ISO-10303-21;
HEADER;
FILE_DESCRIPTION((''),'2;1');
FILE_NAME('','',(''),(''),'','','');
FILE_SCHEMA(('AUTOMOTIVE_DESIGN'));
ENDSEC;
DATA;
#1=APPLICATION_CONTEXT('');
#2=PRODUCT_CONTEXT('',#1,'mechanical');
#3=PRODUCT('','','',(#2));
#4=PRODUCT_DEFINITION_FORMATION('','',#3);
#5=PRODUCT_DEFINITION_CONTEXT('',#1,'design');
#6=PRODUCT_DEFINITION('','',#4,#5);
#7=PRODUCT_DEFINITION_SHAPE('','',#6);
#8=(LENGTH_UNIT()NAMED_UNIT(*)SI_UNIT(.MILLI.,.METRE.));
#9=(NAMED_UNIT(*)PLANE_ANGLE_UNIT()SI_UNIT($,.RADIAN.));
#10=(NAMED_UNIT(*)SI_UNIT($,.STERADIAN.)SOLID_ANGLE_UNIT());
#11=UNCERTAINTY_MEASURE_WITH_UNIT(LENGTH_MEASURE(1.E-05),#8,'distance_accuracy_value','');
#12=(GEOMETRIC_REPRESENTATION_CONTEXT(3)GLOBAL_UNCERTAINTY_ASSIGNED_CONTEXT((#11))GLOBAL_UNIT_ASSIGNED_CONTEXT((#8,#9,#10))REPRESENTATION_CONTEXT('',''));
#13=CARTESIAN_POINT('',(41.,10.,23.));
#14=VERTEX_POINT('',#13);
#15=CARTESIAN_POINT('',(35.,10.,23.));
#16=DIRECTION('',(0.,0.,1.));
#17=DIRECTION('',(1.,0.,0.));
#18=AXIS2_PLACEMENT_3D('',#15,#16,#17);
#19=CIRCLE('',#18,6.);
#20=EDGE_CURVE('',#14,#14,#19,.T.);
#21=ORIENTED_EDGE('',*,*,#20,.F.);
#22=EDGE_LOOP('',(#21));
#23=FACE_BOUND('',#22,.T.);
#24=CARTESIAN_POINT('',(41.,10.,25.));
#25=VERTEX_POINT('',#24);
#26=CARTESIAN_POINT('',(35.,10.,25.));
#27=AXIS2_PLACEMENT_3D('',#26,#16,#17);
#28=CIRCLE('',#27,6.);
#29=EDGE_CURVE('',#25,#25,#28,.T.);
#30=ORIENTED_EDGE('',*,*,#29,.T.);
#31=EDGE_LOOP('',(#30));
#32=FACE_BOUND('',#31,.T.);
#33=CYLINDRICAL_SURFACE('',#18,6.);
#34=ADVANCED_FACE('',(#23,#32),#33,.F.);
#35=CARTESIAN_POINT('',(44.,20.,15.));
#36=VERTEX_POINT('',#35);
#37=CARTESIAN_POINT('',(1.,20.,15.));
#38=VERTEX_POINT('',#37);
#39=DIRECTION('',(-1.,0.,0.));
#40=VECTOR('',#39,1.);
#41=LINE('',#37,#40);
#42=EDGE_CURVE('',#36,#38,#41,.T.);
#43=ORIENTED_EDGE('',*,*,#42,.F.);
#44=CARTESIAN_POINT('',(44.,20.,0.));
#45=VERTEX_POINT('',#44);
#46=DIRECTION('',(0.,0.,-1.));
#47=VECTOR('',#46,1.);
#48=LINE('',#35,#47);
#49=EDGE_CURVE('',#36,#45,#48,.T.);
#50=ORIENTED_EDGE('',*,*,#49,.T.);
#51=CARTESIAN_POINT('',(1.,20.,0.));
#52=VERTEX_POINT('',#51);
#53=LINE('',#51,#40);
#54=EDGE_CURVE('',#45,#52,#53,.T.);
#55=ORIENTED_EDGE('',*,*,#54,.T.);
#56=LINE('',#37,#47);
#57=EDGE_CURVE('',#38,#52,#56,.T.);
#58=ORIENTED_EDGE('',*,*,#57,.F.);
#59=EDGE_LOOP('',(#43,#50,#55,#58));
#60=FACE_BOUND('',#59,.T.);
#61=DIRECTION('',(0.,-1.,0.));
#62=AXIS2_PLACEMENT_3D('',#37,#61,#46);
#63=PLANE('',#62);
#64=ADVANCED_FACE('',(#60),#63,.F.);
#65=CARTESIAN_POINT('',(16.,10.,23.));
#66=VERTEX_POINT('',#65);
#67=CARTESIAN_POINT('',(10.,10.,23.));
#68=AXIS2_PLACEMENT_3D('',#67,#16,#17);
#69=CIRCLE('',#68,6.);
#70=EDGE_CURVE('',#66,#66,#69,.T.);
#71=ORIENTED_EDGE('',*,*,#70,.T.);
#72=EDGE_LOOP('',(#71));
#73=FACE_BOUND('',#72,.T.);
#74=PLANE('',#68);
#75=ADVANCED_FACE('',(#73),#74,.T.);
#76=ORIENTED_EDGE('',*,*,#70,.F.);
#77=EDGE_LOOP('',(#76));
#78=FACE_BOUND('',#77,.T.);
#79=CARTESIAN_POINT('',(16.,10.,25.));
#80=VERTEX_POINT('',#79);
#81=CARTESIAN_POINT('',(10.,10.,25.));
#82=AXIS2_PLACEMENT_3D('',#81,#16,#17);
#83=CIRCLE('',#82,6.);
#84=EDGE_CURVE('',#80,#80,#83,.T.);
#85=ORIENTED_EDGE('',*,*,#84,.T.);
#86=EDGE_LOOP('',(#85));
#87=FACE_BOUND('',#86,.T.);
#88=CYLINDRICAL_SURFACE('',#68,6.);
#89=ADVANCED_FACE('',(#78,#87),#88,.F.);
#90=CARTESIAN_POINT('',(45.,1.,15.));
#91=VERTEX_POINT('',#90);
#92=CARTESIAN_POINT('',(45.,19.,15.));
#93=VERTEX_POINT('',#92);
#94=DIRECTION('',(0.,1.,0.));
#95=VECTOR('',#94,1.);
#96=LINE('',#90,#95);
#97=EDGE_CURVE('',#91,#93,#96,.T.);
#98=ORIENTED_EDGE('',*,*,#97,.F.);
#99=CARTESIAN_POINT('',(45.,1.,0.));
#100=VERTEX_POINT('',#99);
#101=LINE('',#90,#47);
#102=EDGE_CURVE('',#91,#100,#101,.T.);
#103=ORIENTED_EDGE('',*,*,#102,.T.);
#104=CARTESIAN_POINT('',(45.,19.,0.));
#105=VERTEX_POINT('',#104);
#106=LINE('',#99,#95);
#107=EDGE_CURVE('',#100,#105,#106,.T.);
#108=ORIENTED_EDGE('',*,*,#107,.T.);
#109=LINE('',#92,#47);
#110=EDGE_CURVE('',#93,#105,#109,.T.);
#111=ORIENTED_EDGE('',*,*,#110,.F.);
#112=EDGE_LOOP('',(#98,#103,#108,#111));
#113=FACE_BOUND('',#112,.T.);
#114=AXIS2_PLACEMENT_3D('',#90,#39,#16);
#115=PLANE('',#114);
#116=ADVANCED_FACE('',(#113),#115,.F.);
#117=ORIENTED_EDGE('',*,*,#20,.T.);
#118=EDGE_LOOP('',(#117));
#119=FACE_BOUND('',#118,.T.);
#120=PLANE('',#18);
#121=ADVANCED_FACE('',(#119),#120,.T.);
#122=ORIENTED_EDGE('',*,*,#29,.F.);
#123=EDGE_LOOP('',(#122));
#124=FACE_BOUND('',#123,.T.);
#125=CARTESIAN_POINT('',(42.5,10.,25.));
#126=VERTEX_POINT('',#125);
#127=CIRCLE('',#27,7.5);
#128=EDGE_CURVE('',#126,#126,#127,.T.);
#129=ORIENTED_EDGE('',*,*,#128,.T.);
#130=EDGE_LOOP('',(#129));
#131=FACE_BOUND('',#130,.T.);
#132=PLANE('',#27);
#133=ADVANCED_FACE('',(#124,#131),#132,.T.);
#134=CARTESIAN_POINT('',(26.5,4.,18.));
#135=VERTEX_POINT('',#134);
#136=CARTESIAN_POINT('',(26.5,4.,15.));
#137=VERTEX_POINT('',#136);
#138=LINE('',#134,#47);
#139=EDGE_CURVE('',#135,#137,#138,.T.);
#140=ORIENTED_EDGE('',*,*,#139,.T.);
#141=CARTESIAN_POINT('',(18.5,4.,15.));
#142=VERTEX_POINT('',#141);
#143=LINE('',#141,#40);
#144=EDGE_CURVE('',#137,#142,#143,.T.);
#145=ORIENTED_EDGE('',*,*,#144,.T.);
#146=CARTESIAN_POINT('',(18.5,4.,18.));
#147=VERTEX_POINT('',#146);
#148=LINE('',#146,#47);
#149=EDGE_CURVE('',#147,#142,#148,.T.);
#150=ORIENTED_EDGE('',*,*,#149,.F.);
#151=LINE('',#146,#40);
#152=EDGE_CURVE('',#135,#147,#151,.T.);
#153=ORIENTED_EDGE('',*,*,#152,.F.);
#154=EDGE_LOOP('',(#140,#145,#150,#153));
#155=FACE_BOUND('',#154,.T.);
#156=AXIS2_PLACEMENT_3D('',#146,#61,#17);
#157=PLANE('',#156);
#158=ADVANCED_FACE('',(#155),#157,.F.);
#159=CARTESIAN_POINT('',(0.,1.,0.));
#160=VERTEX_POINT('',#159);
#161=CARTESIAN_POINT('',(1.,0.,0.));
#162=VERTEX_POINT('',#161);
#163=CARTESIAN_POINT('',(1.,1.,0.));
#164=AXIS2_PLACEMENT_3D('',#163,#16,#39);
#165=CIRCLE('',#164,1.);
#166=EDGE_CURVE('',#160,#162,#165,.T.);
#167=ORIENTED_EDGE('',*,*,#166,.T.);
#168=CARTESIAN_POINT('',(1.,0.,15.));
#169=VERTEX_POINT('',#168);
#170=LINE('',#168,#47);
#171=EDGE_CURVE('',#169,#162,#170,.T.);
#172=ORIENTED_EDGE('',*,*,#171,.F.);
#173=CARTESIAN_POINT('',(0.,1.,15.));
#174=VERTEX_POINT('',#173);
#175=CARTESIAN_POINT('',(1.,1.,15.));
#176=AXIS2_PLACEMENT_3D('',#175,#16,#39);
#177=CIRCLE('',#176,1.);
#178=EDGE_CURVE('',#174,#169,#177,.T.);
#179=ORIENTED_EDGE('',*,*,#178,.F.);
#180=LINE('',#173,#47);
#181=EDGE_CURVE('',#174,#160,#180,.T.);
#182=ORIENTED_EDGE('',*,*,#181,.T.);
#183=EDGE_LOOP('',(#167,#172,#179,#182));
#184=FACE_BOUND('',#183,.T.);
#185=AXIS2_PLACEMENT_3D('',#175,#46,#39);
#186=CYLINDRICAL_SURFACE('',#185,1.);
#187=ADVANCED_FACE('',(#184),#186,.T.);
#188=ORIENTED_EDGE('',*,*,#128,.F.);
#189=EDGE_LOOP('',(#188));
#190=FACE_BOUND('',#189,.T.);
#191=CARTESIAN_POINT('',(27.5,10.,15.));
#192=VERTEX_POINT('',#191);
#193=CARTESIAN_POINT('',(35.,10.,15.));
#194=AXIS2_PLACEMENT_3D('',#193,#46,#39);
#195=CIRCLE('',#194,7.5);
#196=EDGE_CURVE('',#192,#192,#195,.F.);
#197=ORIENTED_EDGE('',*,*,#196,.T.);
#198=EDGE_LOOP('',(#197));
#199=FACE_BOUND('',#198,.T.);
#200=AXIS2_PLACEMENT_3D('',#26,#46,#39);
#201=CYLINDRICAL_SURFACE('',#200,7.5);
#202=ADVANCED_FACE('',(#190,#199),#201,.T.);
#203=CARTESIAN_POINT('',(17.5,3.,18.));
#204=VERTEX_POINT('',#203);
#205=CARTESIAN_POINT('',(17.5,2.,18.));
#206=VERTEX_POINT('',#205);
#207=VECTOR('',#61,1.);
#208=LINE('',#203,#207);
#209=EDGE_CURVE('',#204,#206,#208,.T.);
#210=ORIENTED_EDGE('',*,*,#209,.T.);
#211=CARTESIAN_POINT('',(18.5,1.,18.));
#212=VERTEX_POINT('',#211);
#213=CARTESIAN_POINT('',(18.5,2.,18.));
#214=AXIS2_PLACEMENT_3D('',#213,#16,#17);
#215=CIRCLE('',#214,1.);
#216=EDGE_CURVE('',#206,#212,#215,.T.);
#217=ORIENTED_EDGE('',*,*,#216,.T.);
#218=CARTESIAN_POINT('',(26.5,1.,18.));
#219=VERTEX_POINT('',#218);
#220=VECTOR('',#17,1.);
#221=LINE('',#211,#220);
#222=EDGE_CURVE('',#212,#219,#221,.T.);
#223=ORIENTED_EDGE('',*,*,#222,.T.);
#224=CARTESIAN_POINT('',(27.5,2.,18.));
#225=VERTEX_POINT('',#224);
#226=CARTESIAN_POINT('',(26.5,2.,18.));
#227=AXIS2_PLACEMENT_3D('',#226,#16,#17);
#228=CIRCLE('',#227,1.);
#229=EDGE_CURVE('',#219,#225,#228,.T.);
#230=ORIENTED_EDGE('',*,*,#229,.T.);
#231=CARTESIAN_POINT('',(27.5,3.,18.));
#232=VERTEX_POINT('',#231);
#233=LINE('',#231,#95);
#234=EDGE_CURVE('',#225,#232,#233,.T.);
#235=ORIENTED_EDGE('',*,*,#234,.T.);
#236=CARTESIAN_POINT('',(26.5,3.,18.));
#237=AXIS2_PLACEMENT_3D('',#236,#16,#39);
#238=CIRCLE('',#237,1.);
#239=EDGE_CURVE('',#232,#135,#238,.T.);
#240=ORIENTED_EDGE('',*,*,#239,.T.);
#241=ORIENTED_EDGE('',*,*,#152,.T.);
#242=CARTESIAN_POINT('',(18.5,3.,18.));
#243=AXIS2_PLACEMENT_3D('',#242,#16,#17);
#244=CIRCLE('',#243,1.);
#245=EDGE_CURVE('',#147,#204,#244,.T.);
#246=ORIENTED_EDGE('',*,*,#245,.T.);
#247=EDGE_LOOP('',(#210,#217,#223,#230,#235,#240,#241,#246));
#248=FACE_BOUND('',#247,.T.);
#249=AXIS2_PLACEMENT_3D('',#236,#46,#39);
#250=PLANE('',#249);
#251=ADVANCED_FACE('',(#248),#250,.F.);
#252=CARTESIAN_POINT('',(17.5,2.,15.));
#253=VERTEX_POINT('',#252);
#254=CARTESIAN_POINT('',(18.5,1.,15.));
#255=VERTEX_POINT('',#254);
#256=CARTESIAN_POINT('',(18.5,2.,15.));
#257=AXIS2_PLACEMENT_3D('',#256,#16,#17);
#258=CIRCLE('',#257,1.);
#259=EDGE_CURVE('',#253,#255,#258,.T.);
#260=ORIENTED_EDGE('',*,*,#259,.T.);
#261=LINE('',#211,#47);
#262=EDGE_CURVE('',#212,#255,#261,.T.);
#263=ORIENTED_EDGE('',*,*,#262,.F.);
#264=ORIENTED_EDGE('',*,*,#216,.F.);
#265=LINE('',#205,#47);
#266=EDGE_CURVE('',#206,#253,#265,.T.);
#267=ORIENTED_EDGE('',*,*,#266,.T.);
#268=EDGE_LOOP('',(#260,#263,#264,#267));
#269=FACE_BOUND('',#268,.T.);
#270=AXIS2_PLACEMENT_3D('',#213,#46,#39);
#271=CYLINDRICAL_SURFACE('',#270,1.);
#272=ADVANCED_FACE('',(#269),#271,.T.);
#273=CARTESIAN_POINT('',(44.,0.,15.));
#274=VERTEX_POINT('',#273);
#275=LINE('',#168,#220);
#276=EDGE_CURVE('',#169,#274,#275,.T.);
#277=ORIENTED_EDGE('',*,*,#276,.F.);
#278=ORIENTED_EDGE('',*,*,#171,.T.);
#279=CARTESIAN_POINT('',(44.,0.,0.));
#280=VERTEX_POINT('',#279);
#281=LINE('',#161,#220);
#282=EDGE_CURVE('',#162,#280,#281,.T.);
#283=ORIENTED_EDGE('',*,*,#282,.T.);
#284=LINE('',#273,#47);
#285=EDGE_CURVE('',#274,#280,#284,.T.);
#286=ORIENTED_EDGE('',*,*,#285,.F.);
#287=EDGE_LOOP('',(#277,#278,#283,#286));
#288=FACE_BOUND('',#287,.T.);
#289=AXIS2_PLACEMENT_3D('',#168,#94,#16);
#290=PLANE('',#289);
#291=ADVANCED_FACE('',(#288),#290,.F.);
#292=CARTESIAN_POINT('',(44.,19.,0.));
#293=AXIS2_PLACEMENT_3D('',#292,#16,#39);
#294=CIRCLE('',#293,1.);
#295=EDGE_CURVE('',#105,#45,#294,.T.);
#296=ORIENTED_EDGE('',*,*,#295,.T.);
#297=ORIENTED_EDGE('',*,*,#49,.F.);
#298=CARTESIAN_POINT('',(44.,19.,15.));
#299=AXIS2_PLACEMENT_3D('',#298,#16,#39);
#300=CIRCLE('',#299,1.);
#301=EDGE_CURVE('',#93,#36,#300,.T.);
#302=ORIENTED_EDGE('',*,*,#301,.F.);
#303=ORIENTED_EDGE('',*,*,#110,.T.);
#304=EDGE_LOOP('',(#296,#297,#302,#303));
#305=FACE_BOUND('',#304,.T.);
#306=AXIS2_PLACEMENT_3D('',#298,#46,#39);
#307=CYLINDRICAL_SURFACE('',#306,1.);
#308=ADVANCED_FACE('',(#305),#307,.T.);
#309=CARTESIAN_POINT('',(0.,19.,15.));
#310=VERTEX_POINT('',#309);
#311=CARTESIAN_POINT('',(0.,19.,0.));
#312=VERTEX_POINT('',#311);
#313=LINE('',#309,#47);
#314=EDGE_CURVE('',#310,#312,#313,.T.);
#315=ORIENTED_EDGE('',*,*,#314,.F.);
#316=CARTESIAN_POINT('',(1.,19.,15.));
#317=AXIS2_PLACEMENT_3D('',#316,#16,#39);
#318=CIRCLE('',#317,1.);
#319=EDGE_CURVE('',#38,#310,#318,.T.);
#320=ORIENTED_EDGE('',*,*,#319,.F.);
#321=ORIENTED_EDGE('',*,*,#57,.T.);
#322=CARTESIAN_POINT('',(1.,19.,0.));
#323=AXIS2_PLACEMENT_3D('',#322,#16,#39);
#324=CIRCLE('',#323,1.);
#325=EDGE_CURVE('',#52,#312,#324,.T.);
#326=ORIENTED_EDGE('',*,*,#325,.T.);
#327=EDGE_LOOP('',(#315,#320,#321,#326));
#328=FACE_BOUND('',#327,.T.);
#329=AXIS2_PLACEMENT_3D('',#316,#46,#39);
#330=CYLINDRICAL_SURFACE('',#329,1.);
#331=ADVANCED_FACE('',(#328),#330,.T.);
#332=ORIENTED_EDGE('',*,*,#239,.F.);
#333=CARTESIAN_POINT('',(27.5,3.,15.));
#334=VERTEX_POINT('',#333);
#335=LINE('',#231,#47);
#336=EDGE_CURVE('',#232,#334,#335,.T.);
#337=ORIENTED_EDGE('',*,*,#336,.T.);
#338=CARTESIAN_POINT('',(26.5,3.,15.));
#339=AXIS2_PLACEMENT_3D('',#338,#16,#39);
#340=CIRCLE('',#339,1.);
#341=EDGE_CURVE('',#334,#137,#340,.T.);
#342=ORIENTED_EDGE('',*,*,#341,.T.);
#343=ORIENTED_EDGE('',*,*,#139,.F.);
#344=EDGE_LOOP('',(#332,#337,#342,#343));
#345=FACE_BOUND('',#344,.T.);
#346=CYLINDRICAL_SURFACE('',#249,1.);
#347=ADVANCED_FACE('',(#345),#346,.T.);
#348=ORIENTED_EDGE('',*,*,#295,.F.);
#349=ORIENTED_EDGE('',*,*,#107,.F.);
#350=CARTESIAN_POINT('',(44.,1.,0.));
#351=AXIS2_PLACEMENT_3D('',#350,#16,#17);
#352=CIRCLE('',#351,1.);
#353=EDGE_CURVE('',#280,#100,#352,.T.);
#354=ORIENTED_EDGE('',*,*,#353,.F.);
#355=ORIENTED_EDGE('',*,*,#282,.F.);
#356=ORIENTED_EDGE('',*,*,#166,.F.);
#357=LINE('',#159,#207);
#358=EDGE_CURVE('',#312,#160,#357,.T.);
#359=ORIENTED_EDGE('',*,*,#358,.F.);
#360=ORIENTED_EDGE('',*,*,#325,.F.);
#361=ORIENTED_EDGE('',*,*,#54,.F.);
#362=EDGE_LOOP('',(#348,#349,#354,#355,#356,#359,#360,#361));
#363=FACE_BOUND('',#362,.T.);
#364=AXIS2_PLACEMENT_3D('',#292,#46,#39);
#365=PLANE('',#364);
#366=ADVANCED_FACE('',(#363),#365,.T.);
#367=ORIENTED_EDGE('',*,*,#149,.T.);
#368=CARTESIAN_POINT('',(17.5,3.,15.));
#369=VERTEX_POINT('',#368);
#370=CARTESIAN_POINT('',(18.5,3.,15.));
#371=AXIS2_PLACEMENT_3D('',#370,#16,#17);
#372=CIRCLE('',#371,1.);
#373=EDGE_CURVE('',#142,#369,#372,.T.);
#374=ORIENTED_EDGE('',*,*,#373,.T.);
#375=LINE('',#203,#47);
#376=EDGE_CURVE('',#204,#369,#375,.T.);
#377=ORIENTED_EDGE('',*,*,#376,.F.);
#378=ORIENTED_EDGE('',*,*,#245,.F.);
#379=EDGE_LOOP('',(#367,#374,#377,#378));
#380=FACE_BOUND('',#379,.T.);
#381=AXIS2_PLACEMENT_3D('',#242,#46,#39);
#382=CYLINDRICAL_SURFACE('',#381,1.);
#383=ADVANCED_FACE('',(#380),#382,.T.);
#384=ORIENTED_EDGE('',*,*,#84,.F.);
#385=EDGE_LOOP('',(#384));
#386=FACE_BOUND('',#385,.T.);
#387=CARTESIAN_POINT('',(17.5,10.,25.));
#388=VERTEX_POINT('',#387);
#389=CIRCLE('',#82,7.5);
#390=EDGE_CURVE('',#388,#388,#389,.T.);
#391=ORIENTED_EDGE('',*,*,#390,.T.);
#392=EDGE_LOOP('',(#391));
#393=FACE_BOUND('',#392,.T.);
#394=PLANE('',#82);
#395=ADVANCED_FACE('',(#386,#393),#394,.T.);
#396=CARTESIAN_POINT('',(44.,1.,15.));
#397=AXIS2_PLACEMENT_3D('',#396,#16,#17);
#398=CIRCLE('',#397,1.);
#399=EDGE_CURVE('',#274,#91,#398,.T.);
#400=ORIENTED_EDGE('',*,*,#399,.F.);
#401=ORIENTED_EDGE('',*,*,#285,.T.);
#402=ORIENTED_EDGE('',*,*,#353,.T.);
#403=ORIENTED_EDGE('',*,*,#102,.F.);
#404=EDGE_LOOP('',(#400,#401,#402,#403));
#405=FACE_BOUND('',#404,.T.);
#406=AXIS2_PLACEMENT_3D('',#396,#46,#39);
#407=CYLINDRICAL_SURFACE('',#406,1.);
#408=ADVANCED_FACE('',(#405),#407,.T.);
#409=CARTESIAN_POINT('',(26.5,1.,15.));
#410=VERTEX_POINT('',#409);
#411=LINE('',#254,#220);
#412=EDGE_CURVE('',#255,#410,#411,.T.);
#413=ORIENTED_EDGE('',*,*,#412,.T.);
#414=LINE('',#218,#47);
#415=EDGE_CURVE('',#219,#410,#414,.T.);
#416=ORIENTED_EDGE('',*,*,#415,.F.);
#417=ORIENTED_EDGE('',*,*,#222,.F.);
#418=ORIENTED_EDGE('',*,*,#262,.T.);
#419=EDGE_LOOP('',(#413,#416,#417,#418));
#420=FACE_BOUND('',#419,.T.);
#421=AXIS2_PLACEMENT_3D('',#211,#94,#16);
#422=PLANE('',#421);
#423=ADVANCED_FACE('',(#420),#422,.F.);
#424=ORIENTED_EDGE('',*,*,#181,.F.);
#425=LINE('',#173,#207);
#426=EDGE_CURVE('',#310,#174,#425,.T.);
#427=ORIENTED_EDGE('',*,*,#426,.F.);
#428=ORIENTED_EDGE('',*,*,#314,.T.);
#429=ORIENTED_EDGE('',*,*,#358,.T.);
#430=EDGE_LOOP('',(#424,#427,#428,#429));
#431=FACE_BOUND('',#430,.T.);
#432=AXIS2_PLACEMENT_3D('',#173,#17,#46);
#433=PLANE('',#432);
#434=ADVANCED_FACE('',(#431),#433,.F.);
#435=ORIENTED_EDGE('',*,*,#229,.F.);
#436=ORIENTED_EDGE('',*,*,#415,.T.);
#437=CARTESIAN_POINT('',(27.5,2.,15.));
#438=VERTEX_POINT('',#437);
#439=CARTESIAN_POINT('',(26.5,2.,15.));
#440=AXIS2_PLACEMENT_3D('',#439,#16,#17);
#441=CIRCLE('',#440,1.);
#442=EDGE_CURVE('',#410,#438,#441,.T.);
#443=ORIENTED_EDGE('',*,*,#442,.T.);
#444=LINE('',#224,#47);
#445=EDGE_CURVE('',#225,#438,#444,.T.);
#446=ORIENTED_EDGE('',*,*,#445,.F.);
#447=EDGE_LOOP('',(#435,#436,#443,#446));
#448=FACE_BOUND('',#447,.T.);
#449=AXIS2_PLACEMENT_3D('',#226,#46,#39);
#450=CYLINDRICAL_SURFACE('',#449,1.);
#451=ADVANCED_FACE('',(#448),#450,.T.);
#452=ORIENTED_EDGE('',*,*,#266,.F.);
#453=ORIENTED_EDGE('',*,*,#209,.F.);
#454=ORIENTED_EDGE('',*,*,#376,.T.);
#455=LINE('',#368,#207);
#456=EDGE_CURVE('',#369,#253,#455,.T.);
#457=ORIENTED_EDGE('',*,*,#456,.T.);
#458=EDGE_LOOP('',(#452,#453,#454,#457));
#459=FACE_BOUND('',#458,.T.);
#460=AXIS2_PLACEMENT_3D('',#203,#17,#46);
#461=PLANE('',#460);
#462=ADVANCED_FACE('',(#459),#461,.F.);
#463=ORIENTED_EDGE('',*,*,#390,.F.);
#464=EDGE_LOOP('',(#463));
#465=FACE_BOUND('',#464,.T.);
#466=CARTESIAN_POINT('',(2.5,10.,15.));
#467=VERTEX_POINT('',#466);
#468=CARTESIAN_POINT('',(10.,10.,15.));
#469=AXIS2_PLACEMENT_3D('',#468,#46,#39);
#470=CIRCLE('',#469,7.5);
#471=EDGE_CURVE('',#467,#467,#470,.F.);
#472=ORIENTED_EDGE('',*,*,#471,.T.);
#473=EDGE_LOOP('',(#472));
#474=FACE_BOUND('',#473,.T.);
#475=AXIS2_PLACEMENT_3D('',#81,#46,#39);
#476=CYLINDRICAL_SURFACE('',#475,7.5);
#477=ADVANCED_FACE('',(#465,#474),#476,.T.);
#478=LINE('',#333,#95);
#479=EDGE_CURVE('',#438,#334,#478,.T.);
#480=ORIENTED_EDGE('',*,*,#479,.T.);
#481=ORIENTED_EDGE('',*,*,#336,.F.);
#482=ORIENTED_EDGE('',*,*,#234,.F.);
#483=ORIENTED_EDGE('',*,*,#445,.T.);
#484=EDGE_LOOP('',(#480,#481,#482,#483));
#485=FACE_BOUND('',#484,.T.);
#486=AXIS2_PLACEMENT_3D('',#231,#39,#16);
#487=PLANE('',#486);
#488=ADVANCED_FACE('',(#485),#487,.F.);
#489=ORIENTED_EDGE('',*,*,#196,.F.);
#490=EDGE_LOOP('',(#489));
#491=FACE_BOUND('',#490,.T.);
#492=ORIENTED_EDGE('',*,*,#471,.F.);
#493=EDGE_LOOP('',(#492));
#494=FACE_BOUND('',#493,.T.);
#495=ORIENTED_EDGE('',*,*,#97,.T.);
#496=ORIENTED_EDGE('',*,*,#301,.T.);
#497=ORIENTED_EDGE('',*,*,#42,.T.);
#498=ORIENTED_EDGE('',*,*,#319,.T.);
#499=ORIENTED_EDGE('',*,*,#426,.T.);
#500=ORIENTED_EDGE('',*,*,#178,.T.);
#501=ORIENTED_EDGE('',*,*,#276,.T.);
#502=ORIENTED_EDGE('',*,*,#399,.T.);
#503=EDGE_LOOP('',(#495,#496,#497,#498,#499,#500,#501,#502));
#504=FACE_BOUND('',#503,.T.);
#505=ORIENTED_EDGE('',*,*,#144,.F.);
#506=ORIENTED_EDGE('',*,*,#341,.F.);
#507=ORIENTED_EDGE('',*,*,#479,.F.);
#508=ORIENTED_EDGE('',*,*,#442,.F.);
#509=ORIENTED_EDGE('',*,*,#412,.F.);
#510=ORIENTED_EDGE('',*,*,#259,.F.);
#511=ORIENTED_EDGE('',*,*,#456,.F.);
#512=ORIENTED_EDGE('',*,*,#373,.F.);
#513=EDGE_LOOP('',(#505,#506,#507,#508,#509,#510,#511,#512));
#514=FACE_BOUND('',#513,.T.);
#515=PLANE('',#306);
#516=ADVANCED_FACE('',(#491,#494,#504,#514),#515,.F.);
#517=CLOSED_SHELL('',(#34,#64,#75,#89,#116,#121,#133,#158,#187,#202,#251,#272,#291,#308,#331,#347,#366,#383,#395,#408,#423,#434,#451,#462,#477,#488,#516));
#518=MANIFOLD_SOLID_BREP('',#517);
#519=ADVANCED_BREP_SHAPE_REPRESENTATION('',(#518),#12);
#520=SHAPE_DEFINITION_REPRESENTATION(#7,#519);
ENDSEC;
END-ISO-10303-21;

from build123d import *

# Parameters (mm, degrees)
BOSS_EXTRUDE1_DEPTH = 15
SKETCH2_R           = 7.5
BOSS_EXTRUDE2_DEPTH = 10
SKETCH3_R           = 6
CUT_EXTRUDE1_DEPTH  = 2
BOSS_EXTRUDE3_DEPTH = 3


with BuildPart() as part:
    # Sketch1 → Boss-Extrude1 (new body)
    with BuildSketch(Plane.XY):
        with BuildLine():
            Line((1, 0), (44, 0))
            ThreePointArc((44, 0), (44.707106781, 0.292893219), (45, 1))
            Line((45, 1), (45, 19))
            ThreePointArc((45, 19), (44.707106781, 19.707106781), (44, 20))
            Line((44, 20), (1, 20))
            ThreePointArc((1, 20), (0.292893219, 19.707106781), (0, 19))
            Line((0, 19), (0, 1))
            ThreePointArc((0, 1), (0.292893219, 0.292893219), (1, 0))
        make_face()
    extrude(amount=BOSS_EXTRUDE1_DEPTH)

    # Sketch2 → Boss-Extrude2 (add)
    with BuildSketch(Plane.XY.offset(15)):
        with Locations(Location((10, 10, 0), (0, 0, 180))):
            Circle(SKETCH2_R)
        with Locations(Location((35, 10, 0), (0, 0, 180))):
            Circle(SKETCH2_R)
    extrude(amount=BOSS_EXTRUDE2_DEPTH)

    # Sketch3 → Cut-Extrude1 (cut)
    with BuildSketch(Plane.XY.offset(25)):
        with Locations((10, 10)):
            Circle(SKETCH3_R)
        with Locations((35, 10)):
            Circle(SKETCH3_R)
    extrude(amount=-CUT_EXTRUDE1_DEPTH, mode=Mode.SUBTRACT)

    # Sketch4 → Boss-Extrude3 (add)
    with BuildSketch(Plane.XY.offset(15)):
        with BuildLine():
            Line((18.5, 4), (26.5, 4))
            ThreePointArc((26.5, 4), (27.207106781, 3.707106781), (27.5, 3))
            Line((27.5, 3), (27.5, 2))
            ThreePointArc((27.5, 2), (27.207106781, 1.292893219), (26.5, 1))
            Line((26.5, 1), (18.5, 1))
            ThreePointArc((18.5, 1), (17.792893219, 1.292893219), (17.5, 2))
            Line((17.5, 2), (17.5, 3))
            ThreePointArc((17.5, 3), (17.792893219, 3.707106781), (18.5, 4))
        make_face()
    extrude(amount=BOSS_EXTRUDE3_DEPTH)


solid = part.part
